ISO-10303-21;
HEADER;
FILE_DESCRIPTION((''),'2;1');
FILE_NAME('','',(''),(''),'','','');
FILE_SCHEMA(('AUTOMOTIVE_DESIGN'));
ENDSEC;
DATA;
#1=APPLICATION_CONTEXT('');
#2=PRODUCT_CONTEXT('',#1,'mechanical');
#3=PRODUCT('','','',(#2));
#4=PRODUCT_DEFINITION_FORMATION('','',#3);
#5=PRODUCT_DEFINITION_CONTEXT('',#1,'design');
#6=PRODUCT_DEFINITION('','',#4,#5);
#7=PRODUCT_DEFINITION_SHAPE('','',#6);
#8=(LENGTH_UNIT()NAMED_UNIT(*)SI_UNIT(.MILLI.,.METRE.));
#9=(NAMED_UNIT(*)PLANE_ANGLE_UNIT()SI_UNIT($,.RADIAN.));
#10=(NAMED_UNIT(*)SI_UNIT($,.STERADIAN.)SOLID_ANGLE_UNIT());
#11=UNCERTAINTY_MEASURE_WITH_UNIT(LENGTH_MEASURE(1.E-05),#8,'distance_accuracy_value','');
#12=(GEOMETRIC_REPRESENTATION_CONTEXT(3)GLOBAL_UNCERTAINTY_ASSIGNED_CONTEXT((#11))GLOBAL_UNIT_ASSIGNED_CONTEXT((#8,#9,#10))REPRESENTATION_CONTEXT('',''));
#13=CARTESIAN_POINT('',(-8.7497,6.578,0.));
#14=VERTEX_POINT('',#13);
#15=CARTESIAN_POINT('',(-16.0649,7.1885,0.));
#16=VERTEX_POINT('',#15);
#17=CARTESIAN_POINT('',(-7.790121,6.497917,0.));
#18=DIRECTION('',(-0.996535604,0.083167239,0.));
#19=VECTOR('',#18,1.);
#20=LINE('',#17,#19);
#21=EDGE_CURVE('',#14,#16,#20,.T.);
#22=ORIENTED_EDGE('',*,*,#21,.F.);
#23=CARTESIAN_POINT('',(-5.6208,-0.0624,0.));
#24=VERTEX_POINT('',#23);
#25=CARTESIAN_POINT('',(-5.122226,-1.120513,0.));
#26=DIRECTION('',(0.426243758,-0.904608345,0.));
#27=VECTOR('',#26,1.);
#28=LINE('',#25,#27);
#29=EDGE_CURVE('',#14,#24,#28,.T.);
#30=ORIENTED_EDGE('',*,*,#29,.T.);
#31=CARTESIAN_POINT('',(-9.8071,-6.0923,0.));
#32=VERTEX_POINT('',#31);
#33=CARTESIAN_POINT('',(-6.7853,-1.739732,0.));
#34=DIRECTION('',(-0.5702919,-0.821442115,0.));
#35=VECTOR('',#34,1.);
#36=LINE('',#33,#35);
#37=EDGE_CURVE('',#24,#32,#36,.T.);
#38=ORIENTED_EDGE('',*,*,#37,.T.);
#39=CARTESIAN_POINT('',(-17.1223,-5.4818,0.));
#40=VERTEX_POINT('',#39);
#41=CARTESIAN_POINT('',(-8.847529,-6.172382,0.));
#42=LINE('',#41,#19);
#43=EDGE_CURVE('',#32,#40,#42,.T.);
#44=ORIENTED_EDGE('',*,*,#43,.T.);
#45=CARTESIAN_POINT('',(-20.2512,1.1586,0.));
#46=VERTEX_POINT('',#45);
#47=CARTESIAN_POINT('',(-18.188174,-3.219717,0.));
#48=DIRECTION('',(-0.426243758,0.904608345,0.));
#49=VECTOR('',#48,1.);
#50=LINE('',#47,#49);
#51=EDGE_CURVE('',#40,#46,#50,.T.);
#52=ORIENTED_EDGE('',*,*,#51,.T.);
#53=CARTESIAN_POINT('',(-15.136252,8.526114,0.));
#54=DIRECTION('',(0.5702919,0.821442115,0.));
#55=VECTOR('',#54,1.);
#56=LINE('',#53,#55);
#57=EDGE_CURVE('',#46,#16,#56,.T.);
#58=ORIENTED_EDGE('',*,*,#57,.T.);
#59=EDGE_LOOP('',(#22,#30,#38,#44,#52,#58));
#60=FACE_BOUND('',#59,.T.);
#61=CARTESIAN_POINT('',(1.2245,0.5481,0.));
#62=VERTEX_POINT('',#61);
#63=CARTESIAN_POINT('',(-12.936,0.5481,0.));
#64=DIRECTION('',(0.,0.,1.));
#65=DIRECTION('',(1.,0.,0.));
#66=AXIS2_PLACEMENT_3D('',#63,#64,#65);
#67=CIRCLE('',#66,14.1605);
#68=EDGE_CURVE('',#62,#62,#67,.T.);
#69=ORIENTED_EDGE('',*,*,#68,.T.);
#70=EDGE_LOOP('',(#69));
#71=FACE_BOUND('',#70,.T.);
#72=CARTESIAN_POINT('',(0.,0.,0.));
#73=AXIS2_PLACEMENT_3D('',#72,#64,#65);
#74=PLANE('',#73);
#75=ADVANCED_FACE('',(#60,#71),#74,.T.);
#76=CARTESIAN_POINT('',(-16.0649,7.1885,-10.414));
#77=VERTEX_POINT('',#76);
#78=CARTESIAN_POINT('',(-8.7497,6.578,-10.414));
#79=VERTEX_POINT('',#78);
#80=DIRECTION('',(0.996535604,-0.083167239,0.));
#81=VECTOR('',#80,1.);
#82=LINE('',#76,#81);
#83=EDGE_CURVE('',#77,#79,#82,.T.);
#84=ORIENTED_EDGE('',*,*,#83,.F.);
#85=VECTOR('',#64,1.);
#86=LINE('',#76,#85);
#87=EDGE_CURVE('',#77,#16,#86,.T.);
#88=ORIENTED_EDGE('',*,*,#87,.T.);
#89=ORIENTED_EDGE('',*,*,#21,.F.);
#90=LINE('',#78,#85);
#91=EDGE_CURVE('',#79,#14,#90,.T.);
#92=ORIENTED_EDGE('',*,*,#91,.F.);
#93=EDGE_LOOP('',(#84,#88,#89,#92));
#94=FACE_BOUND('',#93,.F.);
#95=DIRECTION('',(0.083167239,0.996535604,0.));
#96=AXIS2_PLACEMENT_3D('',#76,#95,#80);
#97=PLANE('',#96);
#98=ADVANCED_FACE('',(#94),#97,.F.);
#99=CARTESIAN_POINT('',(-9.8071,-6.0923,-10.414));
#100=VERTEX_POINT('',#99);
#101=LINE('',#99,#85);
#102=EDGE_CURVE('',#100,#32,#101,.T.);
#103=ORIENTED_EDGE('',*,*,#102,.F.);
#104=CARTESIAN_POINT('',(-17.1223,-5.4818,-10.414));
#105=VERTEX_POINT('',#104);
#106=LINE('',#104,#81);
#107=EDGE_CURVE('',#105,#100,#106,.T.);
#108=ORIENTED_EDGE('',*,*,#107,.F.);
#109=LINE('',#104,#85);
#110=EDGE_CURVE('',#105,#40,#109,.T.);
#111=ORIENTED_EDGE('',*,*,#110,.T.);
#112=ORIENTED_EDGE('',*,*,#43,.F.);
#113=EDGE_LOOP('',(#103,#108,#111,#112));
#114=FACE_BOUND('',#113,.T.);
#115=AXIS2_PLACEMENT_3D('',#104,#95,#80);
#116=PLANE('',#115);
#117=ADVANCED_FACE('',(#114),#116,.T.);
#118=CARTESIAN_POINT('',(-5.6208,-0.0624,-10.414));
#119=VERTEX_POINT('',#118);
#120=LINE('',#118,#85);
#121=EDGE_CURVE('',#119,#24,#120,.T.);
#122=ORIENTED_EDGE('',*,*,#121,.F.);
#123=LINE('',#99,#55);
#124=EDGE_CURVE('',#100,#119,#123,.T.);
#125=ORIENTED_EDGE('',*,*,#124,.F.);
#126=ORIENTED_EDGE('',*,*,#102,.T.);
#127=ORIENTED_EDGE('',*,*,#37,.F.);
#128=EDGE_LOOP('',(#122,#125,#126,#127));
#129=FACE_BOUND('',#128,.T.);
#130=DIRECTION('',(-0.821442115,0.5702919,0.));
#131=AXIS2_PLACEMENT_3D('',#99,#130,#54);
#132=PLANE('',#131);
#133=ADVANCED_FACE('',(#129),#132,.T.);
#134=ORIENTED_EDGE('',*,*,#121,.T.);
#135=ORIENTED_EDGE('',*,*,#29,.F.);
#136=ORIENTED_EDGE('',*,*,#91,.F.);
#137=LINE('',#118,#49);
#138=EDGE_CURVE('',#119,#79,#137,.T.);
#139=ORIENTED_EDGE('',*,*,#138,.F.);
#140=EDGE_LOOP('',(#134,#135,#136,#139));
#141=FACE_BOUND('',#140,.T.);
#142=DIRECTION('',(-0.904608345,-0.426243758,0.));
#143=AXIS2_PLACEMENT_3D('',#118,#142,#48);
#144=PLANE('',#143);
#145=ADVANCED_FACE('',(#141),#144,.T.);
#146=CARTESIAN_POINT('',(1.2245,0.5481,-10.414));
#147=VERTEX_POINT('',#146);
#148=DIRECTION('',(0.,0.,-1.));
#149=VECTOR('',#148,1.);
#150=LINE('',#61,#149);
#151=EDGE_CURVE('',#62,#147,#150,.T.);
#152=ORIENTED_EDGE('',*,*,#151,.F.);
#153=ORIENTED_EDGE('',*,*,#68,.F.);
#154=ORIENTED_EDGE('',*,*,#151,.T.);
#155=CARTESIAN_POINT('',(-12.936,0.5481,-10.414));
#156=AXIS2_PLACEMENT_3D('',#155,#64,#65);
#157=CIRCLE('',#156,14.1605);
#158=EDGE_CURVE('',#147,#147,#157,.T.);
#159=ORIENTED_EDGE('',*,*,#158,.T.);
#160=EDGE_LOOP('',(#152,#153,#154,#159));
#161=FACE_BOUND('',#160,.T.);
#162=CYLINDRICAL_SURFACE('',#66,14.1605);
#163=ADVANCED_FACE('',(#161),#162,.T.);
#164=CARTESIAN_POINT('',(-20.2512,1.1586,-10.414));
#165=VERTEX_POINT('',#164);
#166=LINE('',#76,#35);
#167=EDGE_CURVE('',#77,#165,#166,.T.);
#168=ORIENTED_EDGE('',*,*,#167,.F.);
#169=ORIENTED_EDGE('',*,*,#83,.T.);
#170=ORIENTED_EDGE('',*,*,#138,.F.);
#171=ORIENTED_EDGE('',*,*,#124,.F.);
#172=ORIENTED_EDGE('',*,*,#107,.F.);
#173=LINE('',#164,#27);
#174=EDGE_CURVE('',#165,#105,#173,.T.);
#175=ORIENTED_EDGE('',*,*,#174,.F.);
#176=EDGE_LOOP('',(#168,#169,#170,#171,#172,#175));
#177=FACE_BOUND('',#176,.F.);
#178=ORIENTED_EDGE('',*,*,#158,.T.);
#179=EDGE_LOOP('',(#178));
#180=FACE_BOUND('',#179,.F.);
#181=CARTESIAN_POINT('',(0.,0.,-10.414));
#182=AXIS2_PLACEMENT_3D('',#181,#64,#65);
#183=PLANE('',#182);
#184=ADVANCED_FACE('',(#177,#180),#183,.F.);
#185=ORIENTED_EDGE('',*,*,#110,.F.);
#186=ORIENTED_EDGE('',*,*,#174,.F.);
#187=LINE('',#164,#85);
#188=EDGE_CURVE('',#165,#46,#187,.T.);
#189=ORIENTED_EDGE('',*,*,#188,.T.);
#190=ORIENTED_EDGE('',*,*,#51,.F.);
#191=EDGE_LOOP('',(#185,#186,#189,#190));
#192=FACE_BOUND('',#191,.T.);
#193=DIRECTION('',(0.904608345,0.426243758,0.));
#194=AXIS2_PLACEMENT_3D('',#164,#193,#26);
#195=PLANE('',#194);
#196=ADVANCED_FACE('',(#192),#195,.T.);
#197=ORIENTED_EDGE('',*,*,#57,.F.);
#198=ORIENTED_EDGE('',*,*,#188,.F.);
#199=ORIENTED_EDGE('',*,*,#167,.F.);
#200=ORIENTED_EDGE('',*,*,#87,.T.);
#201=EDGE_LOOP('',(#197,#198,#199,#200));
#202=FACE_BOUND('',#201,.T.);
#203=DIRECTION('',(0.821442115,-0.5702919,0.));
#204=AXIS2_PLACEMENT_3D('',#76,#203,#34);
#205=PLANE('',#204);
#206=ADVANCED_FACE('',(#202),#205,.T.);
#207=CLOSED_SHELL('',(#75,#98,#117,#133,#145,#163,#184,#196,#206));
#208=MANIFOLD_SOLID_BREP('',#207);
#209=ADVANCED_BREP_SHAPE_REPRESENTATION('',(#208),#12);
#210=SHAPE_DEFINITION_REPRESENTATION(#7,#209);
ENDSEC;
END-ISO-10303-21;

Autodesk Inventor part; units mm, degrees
ref_plane "YZ Plane" through (0, 0, 0) normal (1, 0, 0) x (0, 1, 0)
ref_plane "XZ Plane" through (0, 0, 0) normal (0, 1, 0) x (-1, 0, 0)
ref_plane "XY Plane" through (0, 0, 0) normal (0, 0, 1) x (1, 0, 0)
sketch "Sketch1" plane through (0, 0, 0) normal (0, 0, 1) x (1, 0, 0)
  circle A0 centre (-12.936, 0.5481) radius 6.35
  circle A1 centre (-12.936, 0.5481) radius 14.1605
  point P0 (0, 0)
  dimension "d0" = 12.7
  dimension "d1" = 28.321
extrude "Extrusion1" add sketch "Sketch1" against normal blind 10.414
sketch "Sketch2" plane through (-12.936, 0.5481, -10.414) normal (0, 0, -1) x (-1, 0, 0)
  circle A0 centre (0, 0) radius 14.1605 projected
  line L0 (3.1289, 6.6404) -> (-4.1863, 6.0299)
  line L1 (3.1289, 6.6404) -> (7.3152, 0.6105)
  line L2 (7.3152, 0.6105) -> (4.1863, -6.0299)
  line L3 (4.1863, -6.0299) -> (-3.1289, -6.6404)
  line L4 (-3.1289, -6.6404) -> (-7.3152, -0.6105)
  line L5 (-7.3152, -0.6105) -> (-4.1863, 6.0299)
  point P0 (-12.936, -0.5481)
  dimension "d5" = 7.3406
  dimension "d6" = 7.3406
  dimension "d7" = 7.3406
  dimension "d8" = 7.3406
  dimension "d9" = 120
  dimension "d10" = 120
  dimension "d11" = 120
  dimension "d12" = 7.3406
  dimension "d13" = 120
  dimension "d14" = 120
  dimension "d15" = 120
  dimension "d16" = 12.7143
  dimension "d17" = 6.3571
  dimension "d18" = 14.6303
  dimension "d19" = 7.3152
extrude "Extrusion2" cut sketch "Sketch2" against normal blind 25.4 contours L1 L2 L3 L4 L5 L0
equation "\"d6\" = d5"
equation "\"d7\" = d5"
equation "\"d8\" = d5"
equation "\"d9\" = d10"
equation "\"d12\" = d5"
equation "\"d17\" = 0.5 * d16"
equation "\"d19\" = 0.5 * d18"
properties part number "ShaftCollar"
